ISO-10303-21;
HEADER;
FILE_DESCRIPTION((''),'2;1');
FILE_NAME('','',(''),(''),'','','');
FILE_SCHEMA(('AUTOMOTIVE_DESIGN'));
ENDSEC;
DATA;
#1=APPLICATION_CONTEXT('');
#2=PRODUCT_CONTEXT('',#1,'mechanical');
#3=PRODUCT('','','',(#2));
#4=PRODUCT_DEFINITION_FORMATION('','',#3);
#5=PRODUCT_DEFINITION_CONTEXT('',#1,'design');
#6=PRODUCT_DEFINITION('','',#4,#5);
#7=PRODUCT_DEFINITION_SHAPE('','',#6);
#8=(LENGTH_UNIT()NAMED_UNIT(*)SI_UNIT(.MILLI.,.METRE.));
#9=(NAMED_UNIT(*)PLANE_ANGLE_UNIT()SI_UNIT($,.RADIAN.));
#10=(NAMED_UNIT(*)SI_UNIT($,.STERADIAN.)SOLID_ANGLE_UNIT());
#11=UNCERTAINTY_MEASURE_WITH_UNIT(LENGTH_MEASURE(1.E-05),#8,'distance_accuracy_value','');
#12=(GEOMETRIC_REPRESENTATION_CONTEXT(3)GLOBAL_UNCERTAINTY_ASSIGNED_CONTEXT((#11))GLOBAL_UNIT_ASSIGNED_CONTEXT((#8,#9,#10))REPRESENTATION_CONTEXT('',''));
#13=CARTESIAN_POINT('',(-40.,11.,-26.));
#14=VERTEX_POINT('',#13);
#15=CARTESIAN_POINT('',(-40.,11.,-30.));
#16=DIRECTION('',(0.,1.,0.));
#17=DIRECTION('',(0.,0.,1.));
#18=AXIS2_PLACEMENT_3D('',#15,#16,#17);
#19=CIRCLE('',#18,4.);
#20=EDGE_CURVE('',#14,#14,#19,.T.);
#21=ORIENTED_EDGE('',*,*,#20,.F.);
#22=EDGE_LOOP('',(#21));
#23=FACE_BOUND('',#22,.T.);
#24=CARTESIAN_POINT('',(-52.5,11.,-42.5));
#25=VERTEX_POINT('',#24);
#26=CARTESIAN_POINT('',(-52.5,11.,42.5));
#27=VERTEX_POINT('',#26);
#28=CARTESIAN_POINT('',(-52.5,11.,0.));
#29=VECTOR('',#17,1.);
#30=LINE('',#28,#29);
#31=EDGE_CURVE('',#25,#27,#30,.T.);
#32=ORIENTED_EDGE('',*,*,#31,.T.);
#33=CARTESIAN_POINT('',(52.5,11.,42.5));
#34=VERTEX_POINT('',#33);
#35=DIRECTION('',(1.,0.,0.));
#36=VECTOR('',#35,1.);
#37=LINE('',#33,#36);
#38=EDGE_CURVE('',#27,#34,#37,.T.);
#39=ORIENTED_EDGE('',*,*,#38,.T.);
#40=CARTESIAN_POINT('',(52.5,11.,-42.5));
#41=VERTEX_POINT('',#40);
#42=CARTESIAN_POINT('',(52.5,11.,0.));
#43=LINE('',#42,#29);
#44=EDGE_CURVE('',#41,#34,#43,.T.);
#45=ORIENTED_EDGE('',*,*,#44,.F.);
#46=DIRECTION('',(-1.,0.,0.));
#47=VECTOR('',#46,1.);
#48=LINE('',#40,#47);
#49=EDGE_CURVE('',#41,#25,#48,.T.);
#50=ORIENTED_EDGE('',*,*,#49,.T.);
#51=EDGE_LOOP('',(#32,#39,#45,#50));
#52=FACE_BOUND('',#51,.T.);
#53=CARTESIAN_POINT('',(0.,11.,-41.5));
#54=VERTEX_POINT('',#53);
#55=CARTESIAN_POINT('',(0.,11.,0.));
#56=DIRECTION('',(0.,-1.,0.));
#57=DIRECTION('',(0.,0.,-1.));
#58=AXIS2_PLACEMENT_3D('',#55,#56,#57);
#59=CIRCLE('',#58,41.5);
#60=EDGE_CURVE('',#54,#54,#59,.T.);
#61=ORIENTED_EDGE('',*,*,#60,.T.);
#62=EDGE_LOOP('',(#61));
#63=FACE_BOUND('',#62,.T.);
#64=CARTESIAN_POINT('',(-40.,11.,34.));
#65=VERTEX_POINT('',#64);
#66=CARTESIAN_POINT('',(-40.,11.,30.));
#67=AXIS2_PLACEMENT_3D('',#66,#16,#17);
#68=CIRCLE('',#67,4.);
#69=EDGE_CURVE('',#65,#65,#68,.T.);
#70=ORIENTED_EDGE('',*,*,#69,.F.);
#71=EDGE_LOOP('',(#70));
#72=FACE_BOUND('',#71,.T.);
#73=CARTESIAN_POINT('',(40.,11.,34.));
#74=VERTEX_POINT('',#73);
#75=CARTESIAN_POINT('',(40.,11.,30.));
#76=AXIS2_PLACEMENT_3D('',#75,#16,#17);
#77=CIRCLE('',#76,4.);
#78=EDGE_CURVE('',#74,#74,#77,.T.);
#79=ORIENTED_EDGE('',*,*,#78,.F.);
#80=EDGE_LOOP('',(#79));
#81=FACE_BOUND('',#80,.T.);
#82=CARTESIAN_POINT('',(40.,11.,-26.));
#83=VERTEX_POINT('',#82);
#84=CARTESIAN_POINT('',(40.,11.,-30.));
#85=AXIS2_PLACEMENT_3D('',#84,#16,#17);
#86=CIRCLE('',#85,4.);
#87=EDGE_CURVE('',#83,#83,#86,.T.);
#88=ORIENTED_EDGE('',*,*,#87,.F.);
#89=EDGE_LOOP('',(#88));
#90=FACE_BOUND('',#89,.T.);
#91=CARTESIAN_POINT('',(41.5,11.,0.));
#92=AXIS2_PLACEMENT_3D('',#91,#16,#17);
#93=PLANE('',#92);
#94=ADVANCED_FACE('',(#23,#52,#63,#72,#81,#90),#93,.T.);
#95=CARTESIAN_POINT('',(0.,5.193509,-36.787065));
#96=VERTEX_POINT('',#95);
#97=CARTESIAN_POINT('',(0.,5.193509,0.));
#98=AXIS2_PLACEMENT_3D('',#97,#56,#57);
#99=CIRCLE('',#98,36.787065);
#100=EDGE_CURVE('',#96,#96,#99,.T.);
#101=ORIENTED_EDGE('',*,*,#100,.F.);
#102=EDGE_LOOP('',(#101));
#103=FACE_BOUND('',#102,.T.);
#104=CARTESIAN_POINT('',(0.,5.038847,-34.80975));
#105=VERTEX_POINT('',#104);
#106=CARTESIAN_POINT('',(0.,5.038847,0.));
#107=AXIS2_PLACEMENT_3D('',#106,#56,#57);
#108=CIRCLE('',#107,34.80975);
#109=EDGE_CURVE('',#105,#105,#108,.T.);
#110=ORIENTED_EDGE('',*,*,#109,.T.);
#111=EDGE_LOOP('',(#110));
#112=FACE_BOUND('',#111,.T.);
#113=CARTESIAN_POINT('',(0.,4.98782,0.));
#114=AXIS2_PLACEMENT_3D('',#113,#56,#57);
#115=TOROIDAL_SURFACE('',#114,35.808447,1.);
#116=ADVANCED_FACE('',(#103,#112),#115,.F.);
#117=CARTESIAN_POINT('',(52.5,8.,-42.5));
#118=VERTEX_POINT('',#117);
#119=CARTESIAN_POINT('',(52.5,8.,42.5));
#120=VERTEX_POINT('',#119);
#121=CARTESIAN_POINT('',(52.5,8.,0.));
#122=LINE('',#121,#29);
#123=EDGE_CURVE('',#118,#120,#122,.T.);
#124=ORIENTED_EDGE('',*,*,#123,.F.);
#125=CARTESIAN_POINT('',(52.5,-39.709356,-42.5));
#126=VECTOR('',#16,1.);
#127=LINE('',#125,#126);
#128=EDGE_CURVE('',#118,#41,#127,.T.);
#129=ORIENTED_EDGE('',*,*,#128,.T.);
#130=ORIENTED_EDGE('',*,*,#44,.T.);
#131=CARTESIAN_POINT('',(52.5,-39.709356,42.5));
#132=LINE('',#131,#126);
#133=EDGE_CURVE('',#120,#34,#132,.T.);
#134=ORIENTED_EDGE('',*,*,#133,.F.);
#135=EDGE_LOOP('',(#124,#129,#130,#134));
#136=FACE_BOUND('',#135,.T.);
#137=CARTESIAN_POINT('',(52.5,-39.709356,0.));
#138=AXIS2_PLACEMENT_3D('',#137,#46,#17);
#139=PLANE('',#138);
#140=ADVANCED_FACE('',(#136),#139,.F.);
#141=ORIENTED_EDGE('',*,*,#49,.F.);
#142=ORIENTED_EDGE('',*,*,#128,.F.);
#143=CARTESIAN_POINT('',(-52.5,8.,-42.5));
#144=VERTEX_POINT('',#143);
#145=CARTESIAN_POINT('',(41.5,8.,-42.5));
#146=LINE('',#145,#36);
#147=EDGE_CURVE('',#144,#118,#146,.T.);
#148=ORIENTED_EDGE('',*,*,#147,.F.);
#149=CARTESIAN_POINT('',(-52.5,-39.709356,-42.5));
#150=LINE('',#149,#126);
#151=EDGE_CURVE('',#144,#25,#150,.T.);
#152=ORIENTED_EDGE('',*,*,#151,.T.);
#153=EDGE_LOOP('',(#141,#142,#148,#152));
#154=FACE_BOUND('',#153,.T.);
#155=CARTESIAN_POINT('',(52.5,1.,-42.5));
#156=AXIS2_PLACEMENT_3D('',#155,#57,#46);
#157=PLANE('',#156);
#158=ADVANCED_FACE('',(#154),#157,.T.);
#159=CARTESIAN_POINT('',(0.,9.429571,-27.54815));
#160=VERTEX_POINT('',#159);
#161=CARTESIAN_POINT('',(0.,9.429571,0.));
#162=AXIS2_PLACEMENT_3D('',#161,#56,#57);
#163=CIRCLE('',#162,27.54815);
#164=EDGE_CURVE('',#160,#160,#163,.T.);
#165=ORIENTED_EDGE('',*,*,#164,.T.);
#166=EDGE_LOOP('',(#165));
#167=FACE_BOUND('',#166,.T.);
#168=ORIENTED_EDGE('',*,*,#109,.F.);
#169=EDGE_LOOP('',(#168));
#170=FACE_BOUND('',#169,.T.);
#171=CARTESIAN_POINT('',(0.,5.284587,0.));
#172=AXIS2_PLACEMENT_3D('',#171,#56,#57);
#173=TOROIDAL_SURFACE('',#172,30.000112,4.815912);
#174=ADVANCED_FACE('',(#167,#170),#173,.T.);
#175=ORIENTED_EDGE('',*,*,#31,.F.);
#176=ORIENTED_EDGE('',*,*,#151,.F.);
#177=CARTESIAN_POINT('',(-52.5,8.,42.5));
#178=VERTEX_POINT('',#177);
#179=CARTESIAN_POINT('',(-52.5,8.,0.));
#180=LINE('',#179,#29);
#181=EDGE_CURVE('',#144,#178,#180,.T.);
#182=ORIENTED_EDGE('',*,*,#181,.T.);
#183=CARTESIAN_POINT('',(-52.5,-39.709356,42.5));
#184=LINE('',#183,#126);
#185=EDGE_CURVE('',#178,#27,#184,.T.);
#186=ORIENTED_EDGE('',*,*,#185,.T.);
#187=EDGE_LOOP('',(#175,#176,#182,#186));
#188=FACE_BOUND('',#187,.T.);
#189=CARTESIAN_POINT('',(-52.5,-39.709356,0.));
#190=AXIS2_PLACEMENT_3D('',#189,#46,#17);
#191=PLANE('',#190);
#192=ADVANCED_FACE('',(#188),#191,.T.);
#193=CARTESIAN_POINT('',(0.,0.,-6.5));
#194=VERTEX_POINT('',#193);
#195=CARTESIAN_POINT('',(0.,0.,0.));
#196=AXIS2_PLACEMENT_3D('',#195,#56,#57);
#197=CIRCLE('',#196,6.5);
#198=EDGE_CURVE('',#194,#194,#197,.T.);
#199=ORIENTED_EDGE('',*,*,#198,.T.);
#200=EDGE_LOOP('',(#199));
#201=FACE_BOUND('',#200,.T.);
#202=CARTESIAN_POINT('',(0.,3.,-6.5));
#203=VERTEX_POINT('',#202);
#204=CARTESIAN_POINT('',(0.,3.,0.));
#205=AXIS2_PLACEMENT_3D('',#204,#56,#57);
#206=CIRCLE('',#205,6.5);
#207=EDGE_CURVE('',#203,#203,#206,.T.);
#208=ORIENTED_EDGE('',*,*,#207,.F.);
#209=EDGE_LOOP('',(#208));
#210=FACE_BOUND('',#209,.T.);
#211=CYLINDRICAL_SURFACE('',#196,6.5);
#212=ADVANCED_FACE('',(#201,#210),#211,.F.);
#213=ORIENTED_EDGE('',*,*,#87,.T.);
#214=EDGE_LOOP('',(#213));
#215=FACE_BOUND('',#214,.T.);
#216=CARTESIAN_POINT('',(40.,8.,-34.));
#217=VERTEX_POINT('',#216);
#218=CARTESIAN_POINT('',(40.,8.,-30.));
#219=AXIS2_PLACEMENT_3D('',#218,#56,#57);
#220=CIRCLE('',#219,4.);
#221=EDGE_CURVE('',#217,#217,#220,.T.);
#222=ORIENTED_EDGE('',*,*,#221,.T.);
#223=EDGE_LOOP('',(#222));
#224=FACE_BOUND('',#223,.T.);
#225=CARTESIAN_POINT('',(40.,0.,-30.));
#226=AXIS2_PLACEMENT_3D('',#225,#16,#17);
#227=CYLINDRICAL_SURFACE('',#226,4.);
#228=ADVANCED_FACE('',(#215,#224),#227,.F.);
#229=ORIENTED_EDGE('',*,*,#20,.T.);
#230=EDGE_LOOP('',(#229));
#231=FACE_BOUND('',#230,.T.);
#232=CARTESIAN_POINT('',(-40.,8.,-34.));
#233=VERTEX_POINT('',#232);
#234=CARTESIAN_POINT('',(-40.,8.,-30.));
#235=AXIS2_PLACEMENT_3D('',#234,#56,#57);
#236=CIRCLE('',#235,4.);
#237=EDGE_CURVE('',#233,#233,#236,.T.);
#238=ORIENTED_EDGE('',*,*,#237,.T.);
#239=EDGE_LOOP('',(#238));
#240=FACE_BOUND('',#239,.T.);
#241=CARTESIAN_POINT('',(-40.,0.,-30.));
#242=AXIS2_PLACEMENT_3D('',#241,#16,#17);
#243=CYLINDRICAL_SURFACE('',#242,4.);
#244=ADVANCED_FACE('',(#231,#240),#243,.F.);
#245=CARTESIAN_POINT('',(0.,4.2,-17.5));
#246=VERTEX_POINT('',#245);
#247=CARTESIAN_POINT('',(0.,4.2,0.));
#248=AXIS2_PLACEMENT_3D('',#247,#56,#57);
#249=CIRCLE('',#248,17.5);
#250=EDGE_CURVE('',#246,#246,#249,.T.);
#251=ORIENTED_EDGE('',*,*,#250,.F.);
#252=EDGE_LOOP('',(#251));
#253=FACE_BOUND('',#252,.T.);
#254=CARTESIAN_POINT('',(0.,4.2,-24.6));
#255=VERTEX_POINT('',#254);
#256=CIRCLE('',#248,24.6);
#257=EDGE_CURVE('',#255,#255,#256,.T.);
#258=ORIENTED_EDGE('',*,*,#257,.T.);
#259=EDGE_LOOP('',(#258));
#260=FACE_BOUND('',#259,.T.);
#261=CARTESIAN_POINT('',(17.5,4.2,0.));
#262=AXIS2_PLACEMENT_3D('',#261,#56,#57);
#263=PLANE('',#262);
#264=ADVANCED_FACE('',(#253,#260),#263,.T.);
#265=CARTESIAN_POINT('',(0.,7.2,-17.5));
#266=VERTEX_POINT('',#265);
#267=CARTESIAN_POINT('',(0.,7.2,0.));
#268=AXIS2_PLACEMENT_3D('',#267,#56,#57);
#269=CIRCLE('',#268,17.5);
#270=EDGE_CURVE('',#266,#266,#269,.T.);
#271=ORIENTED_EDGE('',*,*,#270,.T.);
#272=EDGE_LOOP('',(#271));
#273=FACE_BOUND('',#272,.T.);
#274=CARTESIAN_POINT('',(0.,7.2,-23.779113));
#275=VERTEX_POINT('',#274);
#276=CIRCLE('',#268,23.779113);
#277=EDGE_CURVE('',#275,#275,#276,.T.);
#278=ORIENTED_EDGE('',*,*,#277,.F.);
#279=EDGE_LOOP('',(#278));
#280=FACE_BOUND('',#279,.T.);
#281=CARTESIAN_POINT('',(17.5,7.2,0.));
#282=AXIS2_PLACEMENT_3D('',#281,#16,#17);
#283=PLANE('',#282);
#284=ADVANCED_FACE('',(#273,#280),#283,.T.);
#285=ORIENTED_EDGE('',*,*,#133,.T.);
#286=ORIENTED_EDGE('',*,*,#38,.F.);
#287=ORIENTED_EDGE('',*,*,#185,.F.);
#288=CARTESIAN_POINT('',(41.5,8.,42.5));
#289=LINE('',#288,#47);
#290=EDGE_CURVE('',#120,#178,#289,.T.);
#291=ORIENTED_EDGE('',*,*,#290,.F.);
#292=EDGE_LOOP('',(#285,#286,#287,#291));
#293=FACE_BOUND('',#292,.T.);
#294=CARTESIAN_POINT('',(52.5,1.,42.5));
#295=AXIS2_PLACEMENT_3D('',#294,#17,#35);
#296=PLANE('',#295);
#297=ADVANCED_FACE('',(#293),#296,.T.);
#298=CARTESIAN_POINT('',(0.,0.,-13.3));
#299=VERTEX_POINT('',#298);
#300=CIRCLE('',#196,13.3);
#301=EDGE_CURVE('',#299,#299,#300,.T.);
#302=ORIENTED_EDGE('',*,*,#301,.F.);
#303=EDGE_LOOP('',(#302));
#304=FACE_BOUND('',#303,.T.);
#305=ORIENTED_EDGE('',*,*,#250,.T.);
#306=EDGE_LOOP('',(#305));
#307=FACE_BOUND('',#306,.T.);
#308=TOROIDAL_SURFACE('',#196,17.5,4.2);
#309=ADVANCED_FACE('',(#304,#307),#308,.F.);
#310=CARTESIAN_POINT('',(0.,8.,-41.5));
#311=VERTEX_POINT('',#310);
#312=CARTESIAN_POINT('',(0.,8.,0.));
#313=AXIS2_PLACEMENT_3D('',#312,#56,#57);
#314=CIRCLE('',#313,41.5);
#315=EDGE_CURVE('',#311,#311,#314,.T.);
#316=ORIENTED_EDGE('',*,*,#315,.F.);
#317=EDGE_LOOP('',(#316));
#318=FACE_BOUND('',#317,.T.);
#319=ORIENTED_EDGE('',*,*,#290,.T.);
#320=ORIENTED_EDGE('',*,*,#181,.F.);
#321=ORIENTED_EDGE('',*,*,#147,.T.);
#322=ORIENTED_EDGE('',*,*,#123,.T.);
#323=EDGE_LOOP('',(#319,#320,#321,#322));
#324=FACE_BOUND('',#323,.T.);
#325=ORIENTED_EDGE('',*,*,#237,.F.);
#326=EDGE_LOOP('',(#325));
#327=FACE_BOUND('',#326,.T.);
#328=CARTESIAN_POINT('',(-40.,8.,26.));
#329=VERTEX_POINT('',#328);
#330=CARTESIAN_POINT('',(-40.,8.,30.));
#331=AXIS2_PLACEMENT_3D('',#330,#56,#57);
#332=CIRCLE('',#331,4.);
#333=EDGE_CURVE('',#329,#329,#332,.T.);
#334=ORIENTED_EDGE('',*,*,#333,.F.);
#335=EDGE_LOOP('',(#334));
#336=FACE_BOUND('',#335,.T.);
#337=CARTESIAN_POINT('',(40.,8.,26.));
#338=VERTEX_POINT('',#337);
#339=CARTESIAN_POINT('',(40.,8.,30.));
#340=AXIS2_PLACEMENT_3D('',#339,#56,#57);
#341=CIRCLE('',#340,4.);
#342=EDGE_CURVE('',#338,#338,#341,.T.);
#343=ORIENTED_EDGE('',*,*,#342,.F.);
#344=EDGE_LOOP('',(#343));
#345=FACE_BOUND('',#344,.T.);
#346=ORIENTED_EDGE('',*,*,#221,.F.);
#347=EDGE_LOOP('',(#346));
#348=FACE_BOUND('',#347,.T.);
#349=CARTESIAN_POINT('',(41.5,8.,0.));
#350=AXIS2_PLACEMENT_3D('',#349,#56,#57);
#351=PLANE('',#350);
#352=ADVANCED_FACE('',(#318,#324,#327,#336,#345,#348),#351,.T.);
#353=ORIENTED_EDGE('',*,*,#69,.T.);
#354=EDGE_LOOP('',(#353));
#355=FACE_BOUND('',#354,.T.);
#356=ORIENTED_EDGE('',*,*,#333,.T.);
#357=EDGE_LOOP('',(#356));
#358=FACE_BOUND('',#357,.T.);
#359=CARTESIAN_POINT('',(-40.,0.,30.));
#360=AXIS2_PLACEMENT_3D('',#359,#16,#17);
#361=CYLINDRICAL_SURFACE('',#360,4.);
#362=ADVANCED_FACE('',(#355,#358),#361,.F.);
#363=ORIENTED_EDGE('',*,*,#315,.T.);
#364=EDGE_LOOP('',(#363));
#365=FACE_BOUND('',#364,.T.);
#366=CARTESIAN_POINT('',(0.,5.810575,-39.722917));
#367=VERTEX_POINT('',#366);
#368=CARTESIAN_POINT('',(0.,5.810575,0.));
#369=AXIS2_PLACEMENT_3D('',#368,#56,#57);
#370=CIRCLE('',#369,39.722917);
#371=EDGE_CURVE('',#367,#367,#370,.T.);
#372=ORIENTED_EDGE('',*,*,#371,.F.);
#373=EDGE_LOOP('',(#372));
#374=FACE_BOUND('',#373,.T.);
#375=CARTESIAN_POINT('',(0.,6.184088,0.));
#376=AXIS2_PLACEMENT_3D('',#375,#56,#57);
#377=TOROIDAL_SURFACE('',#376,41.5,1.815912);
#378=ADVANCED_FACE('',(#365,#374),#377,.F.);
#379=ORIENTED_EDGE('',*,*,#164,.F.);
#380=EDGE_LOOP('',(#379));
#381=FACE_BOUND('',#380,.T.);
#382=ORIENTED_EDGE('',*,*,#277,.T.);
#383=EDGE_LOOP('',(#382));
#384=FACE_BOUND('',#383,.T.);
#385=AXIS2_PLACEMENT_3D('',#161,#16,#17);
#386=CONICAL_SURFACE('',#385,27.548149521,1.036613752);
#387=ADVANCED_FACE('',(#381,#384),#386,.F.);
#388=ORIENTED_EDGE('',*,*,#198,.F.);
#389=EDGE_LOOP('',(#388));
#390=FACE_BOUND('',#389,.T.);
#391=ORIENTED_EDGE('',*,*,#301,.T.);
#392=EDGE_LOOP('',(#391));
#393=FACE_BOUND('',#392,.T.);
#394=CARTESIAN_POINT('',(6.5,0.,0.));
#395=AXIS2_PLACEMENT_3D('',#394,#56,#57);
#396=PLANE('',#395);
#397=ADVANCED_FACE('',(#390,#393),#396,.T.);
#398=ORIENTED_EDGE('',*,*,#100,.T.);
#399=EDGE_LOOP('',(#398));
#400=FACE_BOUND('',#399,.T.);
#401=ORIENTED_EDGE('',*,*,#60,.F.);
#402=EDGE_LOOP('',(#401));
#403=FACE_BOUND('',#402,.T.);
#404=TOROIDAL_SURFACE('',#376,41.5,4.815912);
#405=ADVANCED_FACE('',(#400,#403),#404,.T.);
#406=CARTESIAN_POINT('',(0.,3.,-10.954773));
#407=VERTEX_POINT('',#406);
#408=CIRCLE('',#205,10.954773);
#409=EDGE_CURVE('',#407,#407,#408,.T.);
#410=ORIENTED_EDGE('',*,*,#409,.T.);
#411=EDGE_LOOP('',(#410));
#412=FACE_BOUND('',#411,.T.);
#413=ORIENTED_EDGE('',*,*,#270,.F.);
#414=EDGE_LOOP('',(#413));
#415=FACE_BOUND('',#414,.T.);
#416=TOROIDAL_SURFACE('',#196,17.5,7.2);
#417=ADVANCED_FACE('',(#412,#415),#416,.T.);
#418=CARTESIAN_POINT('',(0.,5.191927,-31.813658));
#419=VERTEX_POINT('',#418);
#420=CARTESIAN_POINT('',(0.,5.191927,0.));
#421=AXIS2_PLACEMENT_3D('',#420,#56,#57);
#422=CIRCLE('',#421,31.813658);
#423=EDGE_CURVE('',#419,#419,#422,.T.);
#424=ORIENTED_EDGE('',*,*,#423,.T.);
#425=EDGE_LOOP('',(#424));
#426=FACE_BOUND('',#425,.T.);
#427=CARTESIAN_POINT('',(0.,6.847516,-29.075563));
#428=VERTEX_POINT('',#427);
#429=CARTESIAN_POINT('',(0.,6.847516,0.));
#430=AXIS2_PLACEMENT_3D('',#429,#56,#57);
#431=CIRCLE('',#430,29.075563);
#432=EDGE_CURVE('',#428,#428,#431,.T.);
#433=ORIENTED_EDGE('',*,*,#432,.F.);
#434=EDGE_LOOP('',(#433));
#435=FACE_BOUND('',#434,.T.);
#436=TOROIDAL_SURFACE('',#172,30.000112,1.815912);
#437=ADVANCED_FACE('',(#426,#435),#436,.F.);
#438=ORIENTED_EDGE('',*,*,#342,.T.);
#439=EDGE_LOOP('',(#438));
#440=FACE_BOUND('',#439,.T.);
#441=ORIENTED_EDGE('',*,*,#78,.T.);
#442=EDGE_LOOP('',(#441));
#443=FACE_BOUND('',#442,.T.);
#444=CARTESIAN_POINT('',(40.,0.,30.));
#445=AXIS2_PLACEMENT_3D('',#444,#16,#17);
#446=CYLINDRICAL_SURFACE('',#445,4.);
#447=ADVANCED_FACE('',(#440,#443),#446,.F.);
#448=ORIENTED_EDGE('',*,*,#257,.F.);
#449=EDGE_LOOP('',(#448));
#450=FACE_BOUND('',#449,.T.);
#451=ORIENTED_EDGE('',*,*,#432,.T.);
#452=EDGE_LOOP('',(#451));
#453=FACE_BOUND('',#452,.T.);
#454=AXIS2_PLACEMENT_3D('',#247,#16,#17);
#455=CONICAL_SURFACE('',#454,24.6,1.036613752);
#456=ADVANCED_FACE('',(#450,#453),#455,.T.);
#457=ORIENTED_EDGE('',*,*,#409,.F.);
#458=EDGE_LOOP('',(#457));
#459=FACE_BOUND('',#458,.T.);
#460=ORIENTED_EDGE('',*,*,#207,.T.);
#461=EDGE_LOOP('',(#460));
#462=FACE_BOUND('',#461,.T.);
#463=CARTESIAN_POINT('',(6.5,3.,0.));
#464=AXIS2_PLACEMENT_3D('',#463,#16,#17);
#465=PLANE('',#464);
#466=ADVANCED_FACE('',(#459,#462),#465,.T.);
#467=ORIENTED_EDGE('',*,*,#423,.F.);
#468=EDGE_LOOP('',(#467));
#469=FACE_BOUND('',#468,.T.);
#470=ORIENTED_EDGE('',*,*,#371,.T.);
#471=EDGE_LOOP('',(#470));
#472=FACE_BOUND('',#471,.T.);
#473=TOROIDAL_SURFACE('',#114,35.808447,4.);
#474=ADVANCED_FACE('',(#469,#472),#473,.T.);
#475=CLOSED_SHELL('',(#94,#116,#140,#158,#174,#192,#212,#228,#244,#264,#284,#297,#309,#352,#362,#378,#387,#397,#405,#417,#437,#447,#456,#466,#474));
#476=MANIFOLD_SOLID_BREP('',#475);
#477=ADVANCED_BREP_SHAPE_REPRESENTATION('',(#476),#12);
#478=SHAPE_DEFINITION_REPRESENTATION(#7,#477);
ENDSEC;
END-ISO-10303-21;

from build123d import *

# Parameters (mm, degrees)
SKETCH2_OUTSIDE_W   = 136.78
SKETCH2_OUTSIDE_H   = 136.78
SKETCH2_OUTSIDE_W_2 = 105
SKETCH2_OUTSIDE_H_2 = 85
CUT_EXTRUDE1_DEPTH  = 10
BOSS_EXTRUDE1_DEPTH = 3
SKETCH5_R           = 4
CUT_EXTRUDE2_DEPTH  = 12


with BuildPart() as part:
    # Sketch1 → Revolve1 (revolve)
    with BuildSketch(Plane.XY):
        with BuildLine():
            Line((6.5, 3), (6.5, 0))
            Line((6.5, 0), (13.3, 0))
            ThreePointArc((13.3, 0), (14.530151519, 2.969848481), (17.5, 4.2))
            Line((17.5, 4.2), (24.6, 4.2))
            Line((24.6, 4.2), (29.075562513, 6.847515853))
            ThreePointArc((29.075562513, 6.847515853), (30.939698005, 6.838522427), (31.81365802, 5.191927181))
            ThreePointArc((31.81365802, 5.191927181), (36.120367216, 1), (39.722916893, 5.810575165))
            ThreePointArc((39.722916893, 5.810575165), (40.090070438, 7.328480837), (41.5, 8))
            Line((41.5, 8), (52.5, 8))
            Line((52.5, 8), (52.5, 11))
            Line((52.5, 11), (41.5, 11))
            ThreePointArc((41.5, 11), (37.760778719, 9.219089228), (36.78706458, 5.193508558))
            ThreePointArc((36.78706458, 5.193508558), (35.886427161, 3.990864766), (34.809749862, 5.038846562))
            ThreePointArc((34.809749862, 5.038846562), (32.491953303, 9.405720022), (27.548149521, 9.429571149))
            Line((27.548149521, 9.429571149), (23.779112579, 7.2))
            Line((23.779112579, 7.2), (17.5, 7.2))
            ThreePointArc((17.5, 7.2), (13.611555581, 6.059702963), (10.954772731, 3))
            Line((10.954772731, 3), (6.5, 3))
        make_face()
    revolve(axis=Axis((0, 0, 0), (0, 1, 0)))

    # Sketch2 outside → Cut-Extrude1 (cut)
    with BuildSketch(Plane(origin=(0, 11, 0), x_dir=(1, 0, 0), z_dir=(0, 1, 0))):
        Rectangle(SKETCH2_OUTSIDE_W, SKETCH2_OUTSIDE_H)
        Rectangle(SKETCH2_OUTSIDE_W_2, SKETCH2_OUTSIDE_H_2, mode=Mode.SUBTRACT)
    extrude(amount=-CUT_EXTRUDE1_DEPTH, mode=Mode.SUBTRACT)

    # Sketch4 → Boss-Extrude1 (add)
    with BuildSketch(Plane(origin=(0, 11, 0), x_dir=(1, 0, 0), z_dir=(0, 1, 0))):
        with BuildLine():
            ThreePointArc((-52.5, 8.38e-07), (-46.767556277, 23.854678365), (-30.822070015, 42.5))
            Line((-30.822070015, 42.5), (-52.500000043, 42.5))
            Line((-52.500000043, 42.5), (-52.500000043, 8.38e-07))
        make_face()
        with BuildLine():
            ThreePointArc((-30.822070015, -42.5), (-46.767556657, -23.854677619), (-52.5, 8.38e-07))
            Line((-52.500000043, 8.38e-07), (-52.500000043, -42.5))
            Line((-52.500000043, -42.5), (-30.822070015, -42.5))
        make_face()
        with BuildLine():
            Line((52.5, 42.5), (30.822070015, 42.5))
            ThreePointArc((30.822070015, 42.5), (46.767556467, 23.854677992), (52.5, 0))
            Line((52.5, 0), (52.5, 42.5))
        make_face()
        with BuildLine():
            Line((52.5, -42.5), (52.5, 0))
            ThreePointArc((52.5, 0), (46.767556467, -23.854677992), (30.822070015, -42.5))
            Line((30.822070015, -42.5), (52.5, -42.5))
        make_face()
    extrude(amount=-BOSS_EXTRUDE1_DEPTH)

    # Sketch5 → Cut-Extrude2 (cut, through all)
    with BuildSketch(Plane(origin=(0, 11, 0), x_dir=(1, 0, 0), z_dir=(0, 1, 0))):
        with Locations((-40, 30)):
            Circle(SKETCH5_R)
        with Locations((40, 30)):
            Circle(SKETCH5_R)
        with Locations((40, -30)):
            Circle(SKETCH5_R)
        with Locations((-40, -30)):
            Circle(SKETCH5_R)
    extrude(amount=-CUT_EXTRUDE2_DEPTH, mode=Mode.SUBTRACT)


solid = part.part
